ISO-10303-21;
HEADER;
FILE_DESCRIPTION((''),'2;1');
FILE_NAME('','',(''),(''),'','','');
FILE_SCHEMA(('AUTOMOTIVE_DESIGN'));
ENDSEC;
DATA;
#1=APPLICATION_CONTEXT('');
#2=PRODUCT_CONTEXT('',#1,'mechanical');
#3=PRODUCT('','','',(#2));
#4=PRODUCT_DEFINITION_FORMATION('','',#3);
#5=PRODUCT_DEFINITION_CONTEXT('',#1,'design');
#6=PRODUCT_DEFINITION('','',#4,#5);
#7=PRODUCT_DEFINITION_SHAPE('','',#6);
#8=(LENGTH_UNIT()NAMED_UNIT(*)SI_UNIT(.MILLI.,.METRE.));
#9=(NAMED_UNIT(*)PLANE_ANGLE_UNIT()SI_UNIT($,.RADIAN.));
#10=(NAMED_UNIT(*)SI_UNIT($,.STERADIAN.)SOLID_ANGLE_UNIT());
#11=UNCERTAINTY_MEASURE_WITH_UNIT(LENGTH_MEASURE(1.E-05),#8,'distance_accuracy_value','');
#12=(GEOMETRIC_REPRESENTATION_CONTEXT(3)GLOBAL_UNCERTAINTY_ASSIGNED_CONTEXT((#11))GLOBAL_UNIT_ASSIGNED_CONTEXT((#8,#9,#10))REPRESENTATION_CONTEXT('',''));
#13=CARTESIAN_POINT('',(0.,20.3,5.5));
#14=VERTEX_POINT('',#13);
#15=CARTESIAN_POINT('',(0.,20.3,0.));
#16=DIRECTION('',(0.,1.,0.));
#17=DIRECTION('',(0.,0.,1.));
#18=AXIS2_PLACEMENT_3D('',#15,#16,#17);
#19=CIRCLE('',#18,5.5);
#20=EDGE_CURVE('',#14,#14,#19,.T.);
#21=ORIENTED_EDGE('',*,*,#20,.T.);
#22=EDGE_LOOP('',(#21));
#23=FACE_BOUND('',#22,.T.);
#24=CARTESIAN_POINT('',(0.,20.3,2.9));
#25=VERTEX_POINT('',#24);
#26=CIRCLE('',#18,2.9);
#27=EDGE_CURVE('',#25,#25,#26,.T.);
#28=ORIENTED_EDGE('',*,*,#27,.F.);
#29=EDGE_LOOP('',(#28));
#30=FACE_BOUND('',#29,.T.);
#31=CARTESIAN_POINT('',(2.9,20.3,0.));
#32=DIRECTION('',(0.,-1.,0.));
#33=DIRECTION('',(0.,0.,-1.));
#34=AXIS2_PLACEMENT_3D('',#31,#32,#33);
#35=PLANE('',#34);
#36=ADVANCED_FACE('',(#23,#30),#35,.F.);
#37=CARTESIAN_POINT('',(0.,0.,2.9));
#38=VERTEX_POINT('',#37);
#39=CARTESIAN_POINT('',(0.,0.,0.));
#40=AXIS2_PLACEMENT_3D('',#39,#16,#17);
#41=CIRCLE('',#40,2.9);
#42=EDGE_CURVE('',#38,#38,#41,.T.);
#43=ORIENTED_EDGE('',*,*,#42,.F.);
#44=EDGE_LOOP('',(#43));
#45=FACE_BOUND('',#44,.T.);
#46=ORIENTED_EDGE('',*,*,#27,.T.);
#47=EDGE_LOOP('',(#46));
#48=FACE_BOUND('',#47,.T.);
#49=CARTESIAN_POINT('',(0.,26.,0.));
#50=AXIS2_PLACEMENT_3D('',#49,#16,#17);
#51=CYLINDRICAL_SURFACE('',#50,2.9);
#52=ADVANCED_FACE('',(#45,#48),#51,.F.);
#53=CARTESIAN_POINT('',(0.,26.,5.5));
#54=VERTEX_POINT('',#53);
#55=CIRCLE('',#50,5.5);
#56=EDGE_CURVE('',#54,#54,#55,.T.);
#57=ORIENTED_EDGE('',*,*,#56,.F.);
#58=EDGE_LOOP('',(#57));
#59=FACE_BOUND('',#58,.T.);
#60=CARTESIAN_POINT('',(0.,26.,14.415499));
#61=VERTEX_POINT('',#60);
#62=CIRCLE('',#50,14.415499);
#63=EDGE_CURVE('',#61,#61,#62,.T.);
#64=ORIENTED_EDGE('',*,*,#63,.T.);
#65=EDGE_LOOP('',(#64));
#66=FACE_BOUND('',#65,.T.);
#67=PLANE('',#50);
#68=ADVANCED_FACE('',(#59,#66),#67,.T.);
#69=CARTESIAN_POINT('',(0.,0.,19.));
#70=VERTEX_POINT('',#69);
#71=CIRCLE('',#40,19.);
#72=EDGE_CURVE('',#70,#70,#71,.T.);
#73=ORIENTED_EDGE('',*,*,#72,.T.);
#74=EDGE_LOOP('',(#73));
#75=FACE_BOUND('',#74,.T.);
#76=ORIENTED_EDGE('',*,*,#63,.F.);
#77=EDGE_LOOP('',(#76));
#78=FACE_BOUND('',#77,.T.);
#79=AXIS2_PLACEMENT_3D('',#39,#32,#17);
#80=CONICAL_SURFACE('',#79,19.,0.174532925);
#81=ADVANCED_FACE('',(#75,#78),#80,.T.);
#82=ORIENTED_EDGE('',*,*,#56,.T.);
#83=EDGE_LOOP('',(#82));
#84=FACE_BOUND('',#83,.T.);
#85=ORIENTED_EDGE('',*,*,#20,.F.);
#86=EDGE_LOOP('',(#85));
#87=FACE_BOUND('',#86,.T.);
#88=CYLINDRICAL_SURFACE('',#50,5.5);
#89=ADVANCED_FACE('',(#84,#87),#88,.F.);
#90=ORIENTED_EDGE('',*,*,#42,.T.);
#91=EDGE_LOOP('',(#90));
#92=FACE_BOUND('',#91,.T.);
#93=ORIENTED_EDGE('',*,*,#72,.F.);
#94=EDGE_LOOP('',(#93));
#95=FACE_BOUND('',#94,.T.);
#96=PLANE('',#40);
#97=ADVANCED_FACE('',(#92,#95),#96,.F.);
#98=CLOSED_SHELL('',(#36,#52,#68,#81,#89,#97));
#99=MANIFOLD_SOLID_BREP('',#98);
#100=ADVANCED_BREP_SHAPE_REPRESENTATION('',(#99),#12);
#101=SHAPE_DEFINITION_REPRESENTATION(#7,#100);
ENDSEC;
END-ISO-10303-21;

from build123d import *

# Parameters (mm, degrees)
SKETCH1_R                                        = 19
BOSS_EXTRUDE1_DEPTH                              = 26
BOSS_EXTRUDE1_TAPER                              = 10
CBORE_FOR_M5_PAN_HEAD_MACHINE_SCREW1_D           = 5.8
CBORE_FOR_M5_PAN_HEAD_MACHINE_SCREW1_CBORE_D     = 11
CBORE_FOR_M5_PAN_HEAD_MACHINE_SCREW1_CBORE_DEPTH = 5.7


with BuildPart() as part:
    # Sketch1 → Boss-Extrude1 (new body)
    with BuildSketch(Plane(origin=(0, 0, 0), x_dir=(1, 0, 0), z_dir=(0, 1, 0))):
        Circle(SKETCH1_R)
    extrude(amount=BOSS_EXTRUDE1_DEPTH, taper=BOSS_EXTRUDE1_TAPER)

    # CBORE for M5 Pan Head Machine Screw1 (through all)
    with Locations(Plane(origin=(0, 26, 0), x_dir=(1, 0, 0), z_dir=(0, 1, 0))):
        with Locations((0, 0)):
            CounterBoreHole(CBORE_FOR_M5_PAN_HEAD_MACHINE_SCREW1_D / 2, CBORE_FOR_M5_PAN_HEAD_MACHINE_SCREW1_CBORE_D / 2, CBORE_FOR_M5_PAN_HEAD_MACHINE_SCREW1_CBORE_DEPTH)


solid = part.part
